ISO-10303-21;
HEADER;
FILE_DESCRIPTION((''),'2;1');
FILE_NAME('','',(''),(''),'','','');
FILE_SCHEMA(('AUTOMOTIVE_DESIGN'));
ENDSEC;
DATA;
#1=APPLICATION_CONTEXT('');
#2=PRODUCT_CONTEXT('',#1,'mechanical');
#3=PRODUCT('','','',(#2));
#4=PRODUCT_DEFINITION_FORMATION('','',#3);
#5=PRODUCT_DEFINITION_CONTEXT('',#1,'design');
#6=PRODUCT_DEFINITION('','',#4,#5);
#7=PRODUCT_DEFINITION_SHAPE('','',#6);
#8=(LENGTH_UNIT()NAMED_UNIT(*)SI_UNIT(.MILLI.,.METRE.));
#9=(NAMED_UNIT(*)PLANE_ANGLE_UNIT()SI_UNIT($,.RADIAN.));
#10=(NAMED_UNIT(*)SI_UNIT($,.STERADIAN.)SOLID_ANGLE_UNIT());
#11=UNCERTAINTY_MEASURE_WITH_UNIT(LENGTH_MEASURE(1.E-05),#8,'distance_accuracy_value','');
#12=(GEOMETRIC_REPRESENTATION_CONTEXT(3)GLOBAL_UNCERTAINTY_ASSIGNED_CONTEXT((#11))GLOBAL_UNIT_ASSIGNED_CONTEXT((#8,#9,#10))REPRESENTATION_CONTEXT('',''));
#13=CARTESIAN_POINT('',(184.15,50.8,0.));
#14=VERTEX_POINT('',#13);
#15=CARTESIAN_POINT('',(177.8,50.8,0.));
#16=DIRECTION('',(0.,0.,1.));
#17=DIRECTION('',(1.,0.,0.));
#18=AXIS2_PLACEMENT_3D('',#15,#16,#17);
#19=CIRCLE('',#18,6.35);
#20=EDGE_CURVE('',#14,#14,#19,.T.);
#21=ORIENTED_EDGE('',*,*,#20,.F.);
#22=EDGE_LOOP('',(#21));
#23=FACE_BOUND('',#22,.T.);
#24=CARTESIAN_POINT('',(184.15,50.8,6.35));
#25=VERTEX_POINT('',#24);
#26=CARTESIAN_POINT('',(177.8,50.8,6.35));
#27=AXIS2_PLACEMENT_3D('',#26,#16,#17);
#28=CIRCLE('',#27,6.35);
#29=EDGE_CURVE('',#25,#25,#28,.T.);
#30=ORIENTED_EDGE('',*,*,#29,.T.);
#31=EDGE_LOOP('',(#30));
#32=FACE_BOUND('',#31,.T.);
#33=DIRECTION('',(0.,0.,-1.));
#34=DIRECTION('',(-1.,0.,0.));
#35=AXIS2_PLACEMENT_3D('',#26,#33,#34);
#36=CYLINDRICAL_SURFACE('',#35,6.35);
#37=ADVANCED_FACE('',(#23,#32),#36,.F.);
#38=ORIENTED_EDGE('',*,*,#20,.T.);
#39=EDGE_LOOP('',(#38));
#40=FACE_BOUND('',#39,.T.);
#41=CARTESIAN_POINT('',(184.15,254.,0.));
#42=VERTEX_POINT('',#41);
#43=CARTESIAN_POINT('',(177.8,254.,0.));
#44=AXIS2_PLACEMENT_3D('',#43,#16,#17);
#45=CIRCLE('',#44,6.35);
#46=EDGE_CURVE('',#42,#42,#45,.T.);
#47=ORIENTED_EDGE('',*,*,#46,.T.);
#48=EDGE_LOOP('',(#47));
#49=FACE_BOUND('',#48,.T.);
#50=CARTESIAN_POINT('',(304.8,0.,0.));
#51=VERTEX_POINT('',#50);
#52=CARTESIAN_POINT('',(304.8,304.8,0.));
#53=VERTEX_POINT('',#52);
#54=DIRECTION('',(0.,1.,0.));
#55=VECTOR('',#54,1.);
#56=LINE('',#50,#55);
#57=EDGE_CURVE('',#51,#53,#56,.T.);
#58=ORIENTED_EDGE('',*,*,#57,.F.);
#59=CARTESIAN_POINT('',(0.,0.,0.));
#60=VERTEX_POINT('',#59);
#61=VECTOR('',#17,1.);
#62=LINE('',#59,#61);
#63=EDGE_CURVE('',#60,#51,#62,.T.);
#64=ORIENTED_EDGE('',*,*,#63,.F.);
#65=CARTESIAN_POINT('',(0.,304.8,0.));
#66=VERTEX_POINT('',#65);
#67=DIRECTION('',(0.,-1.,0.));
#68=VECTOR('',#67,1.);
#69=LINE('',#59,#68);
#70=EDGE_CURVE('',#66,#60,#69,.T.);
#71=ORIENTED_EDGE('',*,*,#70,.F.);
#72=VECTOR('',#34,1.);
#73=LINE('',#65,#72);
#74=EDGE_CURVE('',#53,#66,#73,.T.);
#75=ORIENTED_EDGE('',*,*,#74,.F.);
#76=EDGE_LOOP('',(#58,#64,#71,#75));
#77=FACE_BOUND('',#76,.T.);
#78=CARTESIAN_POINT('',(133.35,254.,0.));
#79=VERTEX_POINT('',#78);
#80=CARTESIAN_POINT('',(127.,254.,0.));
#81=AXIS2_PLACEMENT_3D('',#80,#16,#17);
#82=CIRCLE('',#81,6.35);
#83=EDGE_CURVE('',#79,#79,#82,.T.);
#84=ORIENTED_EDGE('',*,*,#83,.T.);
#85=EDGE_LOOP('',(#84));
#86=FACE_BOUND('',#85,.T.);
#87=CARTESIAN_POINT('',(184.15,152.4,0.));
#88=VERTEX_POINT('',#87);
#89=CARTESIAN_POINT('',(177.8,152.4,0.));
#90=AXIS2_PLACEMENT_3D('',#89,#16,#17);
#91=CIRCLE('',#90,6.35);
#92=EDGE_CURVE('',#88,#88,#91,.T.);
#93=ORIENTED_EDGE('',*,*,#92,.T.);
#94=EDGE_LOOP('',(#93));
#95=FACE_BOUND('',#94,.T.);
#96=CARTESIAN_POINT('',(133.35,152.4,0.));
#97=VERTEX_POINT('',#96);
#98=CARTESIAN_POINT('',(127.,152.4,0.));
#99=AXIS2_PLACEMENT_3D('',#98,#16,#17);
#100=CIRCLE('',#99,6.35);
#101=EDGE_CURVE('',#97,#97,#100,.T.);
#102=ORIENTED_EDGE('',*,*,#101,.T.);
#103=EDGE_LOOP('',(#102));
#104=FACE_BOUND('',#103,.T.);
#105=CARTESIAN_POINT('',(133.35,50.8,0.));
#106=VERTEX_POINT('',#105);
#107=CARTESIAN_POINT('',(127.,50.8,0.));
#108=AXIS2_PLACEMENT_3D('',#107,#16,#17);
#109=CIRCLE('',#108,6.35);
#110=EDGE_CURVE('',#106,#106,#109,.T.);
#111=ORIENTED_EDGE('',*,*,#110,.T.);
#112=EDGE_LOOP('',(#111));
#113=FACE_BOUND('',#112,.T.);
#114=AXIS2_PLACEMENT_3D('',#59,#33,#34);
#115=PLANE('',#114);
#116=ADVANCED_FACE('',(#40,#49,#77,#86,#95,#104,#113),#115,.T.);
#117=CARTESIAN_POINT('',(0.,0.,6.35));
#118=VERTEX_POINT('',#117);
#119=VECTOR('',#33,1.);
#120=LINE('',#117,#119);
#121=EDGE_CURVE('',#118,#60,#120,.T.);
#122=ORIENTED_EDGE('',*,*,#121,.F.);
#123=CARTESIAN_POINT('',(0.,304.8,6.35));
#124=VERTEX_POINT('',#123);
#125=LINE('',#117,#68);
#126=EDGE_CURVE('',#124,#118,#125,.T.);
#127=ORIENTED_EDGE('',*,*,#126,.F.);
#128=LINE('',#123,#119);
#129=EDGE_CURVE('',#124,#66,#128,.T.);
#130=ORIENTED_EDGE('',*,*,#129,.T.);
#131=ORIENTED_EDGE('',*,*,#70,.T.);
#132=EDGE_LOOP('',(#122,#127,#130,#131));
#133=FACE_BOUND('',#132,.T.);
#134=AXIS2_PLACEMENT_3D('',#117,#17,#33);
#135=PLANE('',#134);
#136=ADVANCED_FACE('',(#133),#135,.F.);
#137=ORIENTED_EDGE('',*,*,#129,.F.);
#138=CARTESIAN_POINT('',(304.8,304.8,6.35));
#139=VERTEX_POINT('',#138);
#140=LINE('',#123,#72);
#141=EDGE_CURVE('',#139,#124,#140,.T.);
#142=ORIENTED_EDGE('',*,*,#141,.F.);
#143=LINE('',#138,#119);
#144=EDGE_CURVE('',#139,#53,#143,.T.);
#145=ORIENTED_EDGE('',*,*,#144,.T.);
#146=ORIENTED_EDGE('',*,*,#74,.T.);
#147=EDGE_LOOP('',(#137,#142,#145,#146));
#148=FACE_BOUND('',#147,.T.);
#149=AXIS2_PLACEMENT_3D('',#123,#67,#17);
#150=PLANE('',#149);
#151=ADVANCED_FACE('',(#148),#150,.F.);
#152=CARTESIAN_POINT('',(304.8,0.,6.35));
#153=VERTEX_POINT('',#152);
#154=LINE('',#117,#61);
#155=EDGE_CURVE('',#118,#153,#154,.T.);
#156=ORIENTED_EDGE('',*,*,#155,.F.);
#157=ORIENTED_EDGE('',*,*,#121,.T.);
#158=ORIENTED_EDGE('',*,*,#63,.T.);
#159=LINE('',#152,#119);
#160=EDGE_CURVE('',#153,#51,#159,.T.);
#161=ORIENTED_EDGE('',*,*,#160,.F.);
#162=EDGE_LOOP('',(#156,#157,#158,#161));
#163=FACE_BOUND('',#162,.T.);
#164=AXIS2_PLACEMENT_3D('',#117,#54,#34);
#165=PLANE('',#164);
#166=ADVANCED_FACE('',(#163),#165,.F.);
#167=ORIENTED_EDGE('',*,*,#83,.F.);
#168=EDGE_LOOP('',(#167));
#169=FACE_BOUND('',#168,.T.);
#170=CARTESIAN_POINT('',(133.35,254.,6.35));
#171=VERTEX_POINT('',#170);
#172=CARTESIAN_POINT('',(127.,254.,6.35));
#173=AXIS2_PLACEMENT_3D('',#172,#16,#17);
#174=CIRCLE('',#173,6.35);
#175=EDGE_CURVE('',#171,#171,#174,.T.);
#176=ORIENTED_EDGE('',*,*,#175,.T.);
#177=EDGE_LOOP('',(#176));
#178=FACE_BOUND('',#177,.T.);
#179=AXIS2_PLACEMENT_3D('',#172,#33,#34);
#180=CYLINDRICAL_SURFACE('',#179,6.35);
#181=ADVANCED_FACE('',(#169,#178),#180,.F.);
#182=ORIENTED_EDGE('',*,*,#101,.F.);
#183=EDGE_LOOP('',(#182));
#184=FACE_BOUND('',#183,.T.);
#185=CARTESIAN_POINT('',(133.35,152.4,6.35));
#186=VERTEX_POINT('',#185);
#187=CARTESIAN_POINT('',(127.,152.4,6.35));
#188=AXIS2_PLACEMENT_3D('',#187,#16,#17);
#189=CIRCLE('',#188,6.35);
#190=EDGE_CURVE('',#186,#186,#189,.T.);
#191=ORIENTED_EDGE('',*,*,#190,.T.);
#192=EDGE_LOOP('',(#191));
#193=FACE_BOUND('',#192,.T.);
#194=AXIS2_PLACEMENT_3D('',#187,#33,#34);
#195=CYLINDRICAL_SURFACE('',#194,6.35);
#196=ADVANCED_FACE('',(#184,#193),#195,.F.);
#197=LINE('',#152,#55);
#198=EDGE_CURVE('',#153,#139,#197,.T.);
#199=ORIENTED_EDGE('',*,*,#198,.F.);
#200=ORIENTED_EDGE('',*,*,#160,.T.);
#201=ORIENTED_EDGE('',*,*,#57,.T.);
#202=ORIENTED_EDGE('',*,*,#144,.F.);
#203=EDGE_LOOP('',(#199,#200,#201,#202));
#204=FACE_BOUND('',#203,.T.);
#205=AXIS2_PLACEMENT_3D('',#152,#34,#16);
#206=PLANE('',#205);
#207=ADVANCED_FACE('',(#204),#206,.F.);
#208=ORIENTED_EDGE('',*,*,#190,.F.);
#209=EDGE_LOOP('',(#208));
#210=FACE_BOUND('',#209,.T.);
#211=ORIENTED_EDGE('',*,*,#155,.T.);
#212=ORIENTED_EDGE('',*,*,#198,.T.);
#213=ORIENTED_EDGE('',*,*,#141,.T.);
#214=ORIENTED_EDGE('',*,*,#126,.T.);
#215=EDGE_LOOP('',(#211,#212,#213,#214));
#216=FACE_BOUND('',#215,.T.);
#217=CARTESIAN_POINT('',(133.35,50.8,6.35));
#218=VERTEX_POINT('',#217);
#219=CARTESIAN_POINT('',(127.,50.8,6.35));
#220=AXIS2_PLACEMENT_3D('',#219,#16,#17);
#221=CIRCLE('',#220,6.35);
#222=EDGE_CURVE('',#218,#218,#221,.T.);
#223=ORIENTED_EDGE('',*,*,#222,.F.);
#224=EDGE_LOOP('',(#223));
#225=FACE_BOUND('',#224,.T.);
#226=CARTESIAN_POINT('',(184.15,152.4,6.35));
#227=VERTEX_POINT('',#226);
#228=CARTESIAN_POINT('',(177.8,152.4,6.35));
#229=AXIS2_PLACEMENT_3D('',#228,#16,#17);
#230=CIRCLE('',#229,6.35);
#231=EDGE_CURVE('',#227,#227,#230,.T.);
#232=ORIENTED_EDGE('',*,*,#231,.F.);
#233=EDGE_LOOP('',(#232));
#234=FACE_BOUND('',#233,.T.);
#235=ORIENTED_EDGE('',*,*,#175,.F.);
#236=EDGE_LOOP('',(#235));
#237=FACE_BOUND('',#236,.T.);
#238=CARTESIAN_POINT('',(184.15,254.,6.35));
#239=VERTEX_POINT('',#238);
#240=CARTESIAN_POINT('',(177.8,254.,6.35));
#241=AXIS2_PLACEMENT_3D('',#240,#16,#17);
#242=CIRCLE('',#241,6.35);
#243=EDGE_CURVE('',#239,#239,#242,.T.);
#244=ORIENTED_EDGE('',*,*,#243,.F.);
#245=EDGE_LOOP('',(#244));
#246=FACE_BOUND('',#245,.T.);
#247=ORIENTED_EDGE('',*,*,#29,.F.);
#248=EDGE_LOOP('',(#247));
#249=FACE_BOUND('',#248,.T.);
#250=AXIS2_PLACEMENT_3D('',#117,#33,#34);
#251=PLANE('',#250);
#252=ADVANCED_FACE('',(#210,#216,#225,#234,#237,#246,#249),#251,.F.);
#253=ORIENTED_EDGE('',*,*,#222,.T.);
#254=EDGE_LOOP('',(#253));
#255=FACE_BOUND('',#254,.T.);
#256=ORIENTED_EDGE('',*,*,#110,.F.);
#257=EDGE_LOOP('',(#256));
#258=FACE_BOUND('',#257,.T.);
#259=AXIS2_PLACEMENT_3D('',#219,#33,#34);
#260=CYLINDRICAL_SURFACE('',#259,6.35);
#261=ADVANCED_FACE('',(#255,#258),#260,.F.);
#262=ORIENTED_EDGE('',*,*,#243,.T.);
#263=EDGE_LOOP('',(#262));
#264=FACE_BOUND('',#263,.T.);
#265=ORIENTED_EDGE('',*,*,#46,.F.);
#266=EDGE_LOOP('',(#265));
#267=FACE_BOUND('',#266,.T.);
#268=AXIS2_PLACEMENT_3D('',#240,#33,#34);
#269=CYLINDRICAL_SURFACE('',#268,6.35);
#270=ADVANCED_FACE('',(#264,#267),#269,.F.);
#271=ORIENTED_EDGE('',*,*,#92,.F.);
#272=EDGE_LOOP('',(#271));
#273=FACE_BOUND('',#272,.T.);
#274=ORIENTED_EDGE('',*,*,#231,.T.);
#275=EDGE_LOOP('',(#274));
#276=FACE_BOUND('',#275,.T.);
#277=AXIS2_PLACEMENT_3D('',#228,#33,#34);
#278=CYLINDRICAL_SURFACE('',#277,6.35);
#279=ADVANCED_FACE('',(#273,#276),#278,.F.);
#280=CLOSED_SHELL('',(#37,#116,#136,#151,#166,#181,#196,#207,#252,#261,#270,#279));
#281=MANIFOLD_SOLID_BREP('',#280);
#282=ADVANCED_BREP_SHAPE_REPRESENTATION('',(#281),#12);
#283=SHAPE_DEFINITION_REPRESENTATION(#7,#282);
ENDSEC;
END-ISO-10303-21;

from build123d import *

# Parameters (mm, degrees)
SKETCH2_W           = 304.8
SKETCH2_H           = 304.8
SKETCH2_R           = 6.35
BOSS_EXTRUDE1_DEPTH = 6.35


with BuildPart() as part:
    # Sketch2 → Boss-Extrude1 (new body)
    with BuildSketch(Plane.XY):
        with Locations((152.4, 152.4)):
            Rectangle(SKETCH2_W, SKETCH2_H)
        with Locations((177.8, 50.8)):
            Circle(SKETCH2_R, mode=Mode.SUBTRACT)
        with Locations((127, 50.8)):
            Circle(SKETCH2_R, mode=Mode.SUBTRACT)
        with Locations((127, 152.4)):
            Circle(SKETCH2_R, mode=Mode.SUBTRACT)
        with Locations((127, 254)):
            Circle(SKETCH2_R, mode=Mode.SUBTRACT)
        with Locations((177.8, 152.4)):
            Circle(SKETCH2_R, mode=Mode.SUBTRACT)
        with Locations((177.8, 254)):
            Circle(SKETCH2_R, mode=Mode.SUBTRACT)
    extrude(amount=BOSS_EXTRUDE1_DEPTH)


solid = part.part
